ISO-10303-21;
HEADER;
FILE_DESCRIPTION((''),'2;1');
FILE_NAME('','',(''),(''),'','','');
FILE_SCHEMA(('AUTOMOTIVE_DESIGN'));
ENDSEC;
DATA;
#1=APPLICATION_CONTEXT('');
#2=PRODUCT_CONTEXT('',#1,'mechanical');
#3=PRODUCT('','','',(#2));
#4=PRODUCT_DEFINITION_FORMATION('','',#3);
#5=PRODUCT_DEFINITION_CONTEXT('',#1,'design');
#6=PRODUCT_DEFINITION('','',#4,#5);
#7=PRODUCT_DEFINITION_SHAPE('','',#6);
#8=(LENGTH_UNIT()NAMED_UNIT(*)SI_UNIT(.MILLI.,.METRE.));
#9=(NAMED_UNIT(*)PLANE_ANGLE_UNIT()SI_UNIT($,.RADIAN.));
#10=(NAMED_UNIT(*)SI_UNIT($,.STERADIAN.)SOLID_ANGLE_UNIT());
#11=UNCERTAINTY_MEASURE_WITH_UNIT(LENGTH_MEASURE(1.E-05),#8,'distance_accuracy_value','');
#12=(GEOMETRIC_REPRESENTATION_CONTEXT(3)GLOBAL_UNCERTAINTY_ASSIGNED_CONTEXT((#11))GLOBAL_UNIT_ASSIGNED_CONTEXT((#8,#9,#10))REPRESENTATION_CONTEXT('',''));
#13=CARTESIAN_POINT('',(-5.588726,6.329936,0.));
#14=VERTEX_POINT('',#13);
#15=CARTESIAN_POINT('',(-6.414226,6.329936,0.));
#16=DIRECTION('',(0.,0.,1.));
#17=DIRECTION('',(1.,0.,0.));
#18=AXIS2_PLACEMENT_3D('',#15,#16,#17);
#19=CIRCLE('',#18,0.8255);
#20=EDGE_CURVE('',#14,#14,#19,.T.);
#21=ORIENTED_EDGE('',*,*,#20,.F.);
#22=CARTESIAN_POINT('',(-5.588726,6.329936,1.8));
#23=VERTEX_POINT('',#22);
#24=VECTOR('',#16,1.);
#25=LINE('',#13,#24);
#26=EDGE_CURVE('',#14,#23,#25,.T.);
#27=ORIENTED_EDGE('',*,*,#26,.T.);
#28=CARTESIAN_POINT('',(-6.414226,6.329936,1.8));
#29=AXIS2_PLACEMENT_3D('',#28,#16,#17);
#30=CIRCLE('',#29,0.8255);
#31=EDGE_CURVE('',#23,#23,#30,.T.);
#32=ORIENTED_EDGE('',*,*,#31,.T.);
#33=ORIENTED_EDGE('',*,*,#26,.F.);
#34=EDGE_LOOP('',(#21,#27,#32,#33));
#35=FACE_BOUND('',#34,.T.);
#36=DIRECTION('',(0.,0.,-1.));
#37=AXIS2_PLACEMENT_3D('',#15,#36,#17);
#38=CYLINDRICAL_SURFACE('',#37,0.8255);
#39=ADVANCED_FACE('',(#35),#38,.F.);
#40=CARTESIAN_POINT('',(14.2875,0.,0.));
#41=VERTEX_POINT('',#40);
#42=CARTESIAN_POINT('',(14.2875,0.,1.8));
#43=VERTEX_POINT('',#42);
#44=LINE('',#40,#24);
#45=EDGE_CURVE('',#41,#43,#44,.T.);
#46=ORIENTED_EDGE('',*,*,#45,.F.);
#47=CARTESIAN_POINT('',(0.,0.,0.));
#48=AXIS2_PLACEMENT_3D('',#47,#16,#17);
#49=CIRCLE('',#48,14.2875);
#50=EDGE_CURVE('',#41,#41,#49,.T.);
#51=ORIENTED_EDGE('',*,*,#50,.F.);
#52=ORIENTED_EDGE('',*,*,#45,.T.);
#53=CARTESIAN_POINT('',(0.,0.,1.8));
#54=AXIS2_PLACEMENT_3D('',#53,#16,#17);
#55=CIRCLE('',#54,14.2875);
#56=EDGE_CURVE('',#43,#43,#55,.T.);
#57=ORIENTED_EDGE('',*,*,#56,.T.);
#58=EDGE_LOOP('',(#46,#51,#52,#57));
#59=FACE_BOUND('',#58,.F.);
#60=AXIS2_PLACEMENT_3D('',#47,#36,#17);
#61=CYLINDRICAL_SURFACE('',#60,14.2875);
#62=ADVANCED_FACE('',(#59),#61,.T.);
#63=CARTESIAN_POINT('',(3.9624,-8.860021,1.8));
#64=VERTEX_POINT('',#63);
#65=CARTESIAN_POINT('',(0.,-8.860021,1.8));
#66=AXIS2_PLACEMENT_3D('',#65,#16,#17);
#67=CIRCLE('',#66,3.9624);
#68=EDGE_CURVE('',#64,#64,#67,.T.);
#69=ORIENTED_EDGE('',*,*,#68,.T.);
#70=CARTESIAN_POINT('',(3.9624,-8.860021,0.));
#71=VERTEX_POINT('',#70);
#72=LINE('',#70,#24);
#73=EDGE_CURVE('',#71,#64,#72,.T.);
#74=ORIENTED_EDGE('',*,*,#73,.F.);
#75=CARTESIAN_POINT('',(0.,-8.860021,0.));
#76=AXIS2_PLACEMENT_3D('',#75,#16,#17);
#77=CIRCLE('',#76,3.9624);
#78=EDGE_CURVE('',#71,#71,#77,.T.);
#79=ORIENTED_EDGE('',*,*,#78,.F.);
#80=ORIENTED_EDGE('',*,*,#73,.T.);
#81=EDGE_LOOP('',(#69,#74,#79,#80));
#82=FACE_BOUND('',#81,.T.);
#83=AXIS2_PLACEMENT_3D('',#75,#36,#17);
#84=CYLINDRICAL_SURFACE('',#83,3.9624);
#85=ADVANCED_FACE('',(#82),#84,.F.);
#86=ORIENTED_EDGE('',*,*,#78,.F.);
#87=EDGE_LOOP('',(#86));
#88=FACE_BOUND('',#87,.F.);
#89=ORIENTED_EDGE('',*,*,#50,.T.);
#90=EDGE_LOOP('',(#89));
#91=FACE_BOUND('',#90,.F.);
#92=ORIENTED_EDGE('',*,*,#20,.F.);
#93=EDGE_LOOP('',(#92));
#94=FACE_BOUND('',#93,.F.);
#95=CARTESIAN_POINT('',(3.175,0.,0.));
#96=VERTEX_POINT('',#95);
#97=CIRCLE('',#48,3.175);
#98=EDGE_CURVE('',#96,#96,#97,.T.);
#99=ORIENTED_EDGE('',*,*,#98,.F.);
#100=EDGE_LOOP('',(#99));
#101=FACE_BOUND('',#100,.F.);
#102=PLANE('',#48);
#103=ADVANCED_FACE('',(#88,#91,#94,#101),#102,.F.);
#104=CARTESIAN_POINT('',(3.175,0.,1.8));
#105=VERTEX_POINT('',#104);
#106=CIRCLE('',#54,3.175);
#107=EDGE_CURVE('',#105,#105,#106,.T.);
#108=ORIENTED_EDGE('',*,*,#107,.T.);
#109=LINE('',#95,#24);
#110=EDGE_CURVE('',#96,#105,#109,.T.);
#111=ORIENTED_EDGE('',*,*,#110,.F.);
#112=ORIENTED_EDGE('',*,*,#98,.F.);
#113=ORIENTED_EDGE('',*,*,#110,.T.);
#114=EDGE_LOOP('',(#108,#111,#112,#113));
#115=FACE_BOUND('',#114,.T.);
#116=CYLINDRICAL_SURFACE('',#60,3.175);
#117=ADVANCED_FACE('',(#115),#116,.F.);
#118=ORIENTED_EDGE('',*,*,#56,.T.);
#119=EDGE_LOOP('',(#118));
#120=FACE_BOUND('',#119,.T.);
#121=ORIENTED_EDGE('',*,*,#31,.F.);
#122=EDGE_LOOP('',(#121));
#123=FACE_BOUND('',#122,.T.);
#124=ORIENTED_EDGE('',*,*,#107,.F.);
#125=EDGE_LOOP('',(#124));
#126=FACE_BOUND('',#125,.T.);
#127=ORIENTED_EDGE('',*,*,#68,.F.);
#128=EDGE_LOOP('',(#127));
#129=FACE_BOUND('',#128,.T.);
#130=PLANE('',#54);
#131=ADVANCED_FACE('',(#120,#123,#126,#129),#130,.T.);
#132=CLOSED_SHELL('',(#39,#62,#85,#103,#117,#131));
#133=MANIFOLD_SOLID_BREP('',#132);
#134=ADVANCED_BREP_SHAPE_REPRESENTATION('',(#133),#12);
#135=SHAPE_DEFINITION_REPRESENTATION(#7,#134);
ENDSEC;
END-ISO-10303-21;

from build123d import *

# Parameters (mm, degrees)
F0_R     = 14.2875
F0_R_2   = 3.9624
F0_R_3   = 0.8255
F0_R_4   = 3.175
F1_DEPTH = 1.8


with BuildPart() as f1:
    # F0 (on Top) → F1 (new body)
    with BuildSketch(Plane.XY):
        Circle(F0_R)
        with Locations((0, -8.860021)):
            Circle(F0_R_2, mode=Mode.SUBTRACT)
        with Locations((-6.414226, 6.329936)):
            Circle(F0_R_3, mode=Mode.SUBTRACT)
        Circle(F0_R_4, mode=Mode.SUBTRACT)
    extrude(amount=F1_DEPTH)


solid = f1.part
